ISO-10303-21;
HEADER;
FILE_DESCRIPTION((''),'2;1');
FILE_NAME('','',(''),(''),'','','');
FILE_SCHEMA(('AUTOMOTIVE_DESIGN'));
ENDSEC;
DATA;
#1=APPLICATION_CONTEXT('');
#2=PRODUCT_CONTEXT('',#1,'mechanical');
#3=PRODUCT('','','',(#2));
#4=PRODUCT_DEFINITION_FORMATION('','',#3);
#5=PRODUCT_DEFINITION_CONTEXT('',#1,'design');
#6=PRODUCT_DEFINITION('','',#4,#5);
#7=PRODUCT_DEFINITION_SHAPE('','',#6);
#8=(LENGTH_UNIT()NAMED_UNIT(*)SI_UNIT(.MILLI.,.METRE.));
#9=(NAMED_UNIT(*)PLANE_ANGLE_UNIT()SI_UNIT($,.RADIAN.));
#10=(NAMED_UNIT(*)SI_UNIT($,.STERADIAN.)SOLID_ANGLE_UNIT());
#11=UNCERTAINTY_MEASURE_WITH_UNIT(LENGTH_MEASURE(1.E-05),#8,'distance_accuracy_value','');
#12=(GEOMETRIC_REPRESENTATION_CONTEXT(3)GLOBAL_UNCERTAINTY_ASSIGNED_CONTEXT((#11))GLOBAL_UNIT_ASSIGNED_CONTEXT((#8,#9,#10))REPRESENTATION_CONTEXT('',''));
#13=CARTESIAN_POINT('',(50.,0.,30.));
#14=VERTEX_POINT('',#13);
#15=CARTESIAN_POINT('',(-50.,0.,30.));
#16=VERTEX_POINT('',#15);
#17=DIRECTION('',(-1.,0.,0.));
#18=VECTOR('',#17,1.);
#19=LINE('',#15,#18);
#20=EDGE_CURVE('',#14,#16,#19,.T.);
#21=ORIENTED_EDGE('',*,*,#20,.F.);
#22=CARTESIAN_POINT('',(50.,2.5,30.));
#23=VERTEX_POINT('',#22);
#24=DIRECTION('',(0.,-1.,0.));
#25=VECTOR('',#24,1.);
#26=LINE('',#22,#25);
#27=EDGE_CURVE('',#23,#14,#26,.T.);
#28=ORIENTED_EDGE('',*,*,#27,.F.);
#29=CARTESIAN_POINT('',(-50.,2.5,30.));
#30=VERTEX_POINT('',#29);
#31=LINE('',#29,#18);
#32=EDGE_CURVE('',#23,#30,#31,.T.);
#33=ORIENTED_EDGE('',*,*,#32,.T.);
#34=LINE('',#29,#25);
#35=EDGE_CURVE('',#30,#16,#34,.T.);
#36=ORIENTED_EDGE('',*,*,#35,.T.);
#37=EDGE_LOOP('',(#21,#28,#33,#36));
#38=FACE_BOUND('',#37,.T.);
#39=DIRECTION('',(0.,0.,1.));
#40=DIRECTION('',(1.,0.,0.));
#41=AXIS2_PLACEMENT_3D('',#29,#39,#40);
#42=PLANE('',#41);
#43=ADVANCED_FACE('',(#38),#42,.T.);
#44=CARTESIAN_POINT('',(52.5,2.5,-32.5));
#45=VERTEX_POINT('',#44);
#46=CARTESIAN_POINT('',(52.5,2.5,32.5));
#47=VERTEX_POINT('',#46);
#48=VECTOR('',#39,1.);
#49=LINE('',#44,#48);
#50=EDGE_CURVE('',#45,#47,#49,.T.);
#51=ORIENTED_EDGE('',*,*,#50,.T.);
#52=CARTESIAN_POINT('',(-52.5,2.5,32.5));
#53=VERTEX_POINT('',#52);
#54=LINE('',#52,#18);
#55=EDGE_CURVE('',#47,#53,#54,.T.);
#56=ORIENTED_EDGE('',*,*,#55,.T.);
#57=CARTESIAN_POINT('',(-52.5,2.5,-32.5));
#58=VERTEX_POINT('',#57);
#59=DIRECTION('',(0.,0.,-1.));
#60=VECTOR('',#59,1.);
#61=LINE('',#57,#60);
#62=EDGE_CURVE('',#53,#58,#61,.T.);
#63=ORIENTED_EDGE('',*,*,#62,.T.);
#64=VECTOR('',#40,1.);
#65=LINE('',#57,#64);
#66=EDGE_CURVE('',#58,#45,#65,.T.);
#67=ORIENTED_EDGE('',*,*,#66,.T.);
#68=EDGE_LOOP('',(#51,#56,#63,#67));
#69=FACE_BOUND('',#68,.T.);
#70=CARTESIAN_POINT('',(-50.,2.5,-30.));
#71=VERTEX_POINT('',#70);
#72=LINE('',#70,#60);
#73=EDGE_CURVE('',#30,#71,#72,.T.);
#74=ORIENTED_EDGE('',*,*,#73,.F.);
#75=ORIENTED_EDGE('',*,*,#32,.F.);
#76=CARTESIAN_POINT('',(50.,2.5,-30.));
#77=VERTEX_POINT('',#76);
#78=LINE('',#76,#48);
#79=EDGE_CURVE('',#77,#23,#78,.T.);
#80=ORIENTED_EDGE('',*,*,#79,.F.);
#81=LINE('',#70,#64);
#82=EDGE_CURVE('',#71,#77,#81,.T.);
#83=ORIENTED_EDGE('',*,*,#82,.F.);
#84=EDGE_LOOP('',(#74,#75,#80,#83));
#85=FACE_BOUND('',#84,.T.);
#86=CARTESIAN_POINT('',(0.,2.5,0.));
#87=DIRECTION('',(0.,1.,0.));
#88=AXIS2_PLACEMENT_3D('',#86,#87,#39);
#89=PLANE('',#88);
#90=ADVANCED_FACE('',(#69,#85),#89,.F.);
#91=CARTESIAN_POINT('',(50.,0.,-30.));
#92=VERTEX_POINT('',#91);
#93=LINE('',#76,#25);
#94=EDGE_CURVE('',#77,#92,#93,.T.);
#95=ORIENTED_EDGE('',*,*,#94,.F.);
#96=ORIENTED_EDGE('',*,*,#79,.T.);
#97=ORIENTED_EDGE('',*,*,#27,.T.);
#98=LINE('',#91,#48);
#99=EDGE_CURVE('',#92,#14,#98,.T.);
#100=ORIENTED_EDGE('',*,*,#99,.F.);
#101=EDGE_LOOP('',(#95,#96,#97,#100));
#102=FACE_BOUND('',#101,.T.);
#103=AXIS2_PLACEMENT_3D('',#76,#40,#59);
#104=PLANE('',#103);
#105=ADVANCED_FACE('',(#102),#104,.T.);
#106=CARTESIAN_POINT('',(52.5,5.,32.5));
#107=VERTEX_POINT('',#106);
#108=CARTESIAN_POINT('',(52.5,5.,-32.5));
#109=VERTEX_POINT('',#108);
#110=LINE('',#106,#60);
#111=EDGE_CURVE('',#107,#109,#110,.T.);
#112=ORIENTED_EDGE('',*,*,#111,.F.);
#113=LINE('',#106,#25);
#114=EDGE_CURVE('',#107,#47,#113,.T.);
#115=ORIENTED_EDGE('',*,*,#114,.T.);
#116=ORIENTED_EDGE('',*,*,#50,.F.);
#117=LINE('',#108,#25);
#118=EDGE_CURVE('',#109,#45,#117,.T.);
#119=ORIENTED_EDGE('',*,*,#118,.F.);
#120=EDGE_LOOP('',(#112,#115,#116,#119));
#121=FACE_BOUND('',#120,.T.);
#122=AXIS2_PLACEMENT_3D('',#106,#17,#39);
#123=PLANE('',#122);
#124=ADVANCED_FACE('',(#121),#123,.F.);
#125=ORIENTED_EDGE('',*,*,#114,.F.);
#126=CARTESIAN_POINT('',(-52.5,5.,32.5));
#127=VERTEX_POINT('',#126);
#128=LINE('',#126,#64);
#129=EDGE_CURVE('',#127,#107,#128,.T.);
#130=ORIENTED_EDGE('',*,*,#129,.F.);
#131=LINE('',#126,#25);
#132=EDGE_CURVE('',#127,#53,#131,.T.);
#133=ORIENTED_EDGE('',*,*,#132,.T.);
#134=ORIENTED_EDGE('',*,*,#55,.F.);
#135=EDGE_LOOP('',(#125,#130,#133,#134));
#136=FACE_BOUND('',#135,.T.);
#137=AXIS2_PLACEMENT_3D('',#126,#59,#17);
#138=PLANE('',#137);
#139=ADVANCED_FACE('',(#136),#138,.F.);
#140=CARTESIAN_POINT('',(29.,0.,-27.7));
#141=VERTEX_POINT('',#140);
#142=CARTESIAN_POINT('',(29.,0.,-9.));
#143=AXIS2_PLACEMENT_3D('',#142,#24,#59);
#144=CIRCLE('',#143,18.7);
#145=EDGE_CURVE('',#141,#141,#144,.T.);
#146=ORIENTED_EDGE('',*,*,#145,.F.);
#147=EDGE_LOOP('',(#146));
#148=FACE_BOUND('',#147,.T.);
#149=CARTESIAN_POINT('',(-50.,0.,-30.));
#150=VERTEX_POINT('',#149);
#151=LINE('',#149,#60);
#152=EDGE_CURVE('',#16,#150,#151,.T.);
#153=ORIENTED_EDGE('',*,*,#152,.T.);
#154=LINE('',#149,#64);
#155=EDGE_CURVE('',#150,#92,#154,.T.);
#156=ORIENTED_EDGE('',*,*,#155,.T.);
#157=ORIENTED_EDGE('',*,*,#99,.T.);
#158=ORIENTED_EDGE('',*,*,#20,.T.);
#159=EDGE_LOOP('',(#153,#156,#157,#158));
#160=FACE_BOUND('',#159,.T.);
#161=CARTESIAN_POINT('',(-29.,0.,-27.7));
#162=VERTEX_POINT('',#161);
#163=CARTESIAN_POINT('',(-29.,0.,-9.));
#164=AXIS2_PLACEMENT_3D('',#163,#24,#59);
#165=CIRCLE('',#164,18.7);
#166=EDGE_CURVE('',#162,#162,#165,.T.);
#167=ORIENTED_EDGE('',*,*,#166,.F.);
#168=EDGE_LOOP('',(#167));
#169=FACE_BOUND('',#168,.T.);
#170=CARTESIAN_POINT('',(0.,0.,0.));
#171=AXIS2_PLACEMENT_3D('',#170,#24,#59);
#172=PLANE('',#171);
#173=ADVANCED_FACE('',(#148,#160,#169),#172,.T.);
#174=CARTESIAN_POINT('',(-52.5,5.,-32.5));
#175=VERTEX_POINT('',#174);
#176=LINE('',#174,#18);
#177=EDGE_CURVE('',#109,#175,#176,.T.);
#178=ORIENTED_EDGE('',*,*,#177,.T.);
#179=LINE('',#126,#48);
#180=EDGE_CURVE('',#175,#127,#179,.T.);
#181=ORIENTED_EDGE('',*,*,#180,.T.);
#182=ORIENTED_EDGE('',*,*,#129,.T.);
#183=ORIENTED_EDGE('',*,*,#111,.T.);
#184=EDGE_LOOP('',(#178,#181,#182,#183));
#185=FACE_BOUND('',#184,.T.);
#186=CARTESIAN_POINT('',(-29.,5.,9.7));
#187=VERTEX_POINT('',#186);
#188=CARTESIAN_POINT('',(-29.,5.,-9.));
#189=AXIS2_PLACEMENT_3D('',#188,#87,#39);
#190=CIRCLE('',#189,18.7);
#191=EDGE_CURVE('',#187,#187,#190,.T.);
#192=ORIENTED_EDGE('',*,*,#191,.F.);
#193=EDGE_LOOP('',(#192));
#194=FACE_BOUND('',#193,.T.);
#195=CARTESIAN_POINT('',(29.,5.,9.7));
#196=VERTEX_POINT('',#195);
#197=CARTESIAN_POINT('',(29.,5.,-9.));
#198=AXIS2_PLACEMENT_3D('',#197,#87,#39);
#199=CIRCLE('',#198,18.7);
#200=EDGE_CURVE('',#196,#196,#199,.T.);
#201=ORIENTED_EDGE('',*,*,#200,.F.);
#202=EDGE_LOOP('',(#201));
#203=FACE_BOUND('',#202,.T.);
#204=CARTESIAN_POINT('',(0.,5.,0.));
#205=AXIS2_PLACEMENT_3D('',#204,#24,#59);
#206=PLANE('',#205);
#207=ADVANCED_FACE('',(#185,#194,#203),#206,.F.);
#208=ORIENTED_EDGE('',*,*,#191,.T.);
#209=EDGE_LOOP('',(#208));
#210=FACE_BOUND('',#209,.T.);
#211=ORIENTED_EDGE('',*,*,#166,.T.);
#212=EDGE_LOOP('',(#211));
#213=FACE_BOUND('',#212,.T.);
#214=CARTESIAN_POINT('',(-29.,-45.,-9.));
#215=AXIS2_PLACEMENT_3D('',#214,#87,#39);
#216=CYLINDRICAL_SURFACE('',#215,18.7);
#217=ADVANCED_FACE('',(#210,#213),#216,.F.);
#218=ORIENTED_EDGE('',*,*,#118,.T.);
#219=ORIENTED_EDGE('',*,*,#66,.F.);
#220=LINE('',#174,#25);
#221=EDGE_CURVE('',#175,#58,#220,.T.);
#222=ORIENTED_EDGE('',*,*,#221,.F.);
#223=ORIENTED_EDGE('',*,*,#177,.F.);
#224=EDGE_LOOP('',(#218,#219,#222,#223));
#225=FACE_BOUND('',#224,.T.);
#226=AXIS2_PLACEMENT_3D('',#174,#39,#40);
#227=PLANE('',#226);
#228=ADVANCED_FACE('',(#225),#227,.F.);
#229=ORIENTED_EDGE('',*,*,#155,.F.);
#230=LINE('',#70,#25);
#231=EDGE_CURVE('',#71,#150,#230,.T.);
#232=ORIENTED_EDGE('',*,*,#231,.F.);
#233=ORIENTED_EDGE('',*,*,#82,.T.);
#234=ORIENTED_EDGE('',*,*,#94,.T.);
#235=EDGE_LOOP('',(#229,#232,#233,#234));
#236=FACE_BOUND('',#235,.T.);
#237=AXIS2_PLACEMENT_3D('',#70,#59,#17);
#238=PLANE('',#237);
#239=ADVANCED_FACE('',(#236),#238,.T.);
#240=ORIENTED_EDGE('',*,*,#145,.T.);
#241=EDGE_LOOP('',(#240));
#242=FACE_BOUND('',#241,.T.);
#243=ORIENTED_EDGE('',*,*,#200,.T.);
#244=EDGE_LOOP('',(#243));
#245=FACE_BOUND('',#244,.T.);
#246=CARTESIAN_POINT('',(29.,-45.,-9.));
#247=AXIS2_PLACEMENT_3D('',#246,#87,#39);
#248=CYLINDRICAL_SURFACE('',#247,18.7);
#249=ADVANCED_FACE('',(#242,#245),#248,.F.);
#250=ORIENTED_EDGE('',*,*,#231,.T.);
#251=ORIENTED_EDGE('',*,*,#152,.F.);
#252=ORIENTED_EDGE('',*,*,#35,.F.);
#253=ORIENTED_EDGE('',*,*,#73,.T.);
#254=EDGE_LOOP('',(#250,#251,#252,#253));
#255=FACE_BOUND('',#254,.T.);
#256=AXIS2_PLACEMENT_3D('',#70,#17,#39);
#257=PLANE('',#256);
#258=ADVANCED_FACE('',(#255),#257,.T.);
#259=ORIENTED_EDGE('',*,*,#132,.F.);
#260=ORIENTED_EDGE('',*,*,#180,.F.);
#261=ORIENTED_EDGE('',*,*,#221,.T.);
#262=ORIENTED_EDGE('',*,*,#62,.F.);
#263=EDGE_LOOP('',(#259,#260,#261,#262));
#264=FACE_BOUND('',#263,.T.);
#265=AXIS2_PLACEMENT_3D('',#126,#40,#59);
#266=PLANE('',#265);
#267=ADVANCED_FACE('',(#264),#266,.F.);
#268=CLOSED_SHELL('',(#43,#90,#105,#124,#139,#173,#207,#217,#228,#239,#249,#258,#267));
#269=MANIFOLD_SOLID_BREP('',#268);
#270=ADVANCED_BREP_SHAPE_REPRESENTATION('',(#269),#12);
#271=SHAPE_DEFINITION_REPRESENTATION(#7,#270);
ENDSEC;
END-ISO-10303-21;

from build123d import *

# Parameters (mm, degrees)
SKETCH1_W           = 105
SKETCH1_H           = 65
BOSS_EXTRUDE1_DEPTH = 5
SKETCH2_W           = 105
SKETCH2_H           = 65
SKETCH2_W_2         = 100
SKETCH2_H_2         = 60
CUT_EXTRUDE1_DEPTH  = 2.5
SKETCH3_R           = 18.7
CUT_EXTRUDE2_DEPTH  = 50


with BuildPart() as part:
    # Sketch1 → Boss-Extrude1 (new body)
    with BuildSketch(Plane(origin=(0, 0, 0), x_dir=(1, 0, 0), z_dir=(0, 1, 0))):
        Rectangle(SKETCH1_W, SKETCH1_H)
    extrude(amount=BOSS_EXTRUDE1_DEPTH)

    # Sketch2 → Cut-Extrude1 (cut)
    with BuildSketch(Plane.XZ):
        Rectangle(SKETCH2_W, SKETCH2_H)
        Rectangle(SKETCH2_W_2, SKETCH2_H_2, mode=Mode.SUBTRACT)
    extrude(amount=-CUT_EXTRUDE1_DEPTH, mode=Mode.SUBTRACT)

    # Sketch3 → Cut-Extrude2 (cut)
    with BuildSketch(Plane(origin=(0, 5, 0), x_dir=(1, 0, 0), z_dir=(0, 1, 0))):
        with Locations((-29, 9)):
            Circle(SKETCH3_R)
        with Locations((29, 9)):
            Circle(SKETCH3_R)
    extrude(amount=-CUT_EXTRUDE2_DEPTH, mode=Mode.SUBTRACT)


solid = part.part
